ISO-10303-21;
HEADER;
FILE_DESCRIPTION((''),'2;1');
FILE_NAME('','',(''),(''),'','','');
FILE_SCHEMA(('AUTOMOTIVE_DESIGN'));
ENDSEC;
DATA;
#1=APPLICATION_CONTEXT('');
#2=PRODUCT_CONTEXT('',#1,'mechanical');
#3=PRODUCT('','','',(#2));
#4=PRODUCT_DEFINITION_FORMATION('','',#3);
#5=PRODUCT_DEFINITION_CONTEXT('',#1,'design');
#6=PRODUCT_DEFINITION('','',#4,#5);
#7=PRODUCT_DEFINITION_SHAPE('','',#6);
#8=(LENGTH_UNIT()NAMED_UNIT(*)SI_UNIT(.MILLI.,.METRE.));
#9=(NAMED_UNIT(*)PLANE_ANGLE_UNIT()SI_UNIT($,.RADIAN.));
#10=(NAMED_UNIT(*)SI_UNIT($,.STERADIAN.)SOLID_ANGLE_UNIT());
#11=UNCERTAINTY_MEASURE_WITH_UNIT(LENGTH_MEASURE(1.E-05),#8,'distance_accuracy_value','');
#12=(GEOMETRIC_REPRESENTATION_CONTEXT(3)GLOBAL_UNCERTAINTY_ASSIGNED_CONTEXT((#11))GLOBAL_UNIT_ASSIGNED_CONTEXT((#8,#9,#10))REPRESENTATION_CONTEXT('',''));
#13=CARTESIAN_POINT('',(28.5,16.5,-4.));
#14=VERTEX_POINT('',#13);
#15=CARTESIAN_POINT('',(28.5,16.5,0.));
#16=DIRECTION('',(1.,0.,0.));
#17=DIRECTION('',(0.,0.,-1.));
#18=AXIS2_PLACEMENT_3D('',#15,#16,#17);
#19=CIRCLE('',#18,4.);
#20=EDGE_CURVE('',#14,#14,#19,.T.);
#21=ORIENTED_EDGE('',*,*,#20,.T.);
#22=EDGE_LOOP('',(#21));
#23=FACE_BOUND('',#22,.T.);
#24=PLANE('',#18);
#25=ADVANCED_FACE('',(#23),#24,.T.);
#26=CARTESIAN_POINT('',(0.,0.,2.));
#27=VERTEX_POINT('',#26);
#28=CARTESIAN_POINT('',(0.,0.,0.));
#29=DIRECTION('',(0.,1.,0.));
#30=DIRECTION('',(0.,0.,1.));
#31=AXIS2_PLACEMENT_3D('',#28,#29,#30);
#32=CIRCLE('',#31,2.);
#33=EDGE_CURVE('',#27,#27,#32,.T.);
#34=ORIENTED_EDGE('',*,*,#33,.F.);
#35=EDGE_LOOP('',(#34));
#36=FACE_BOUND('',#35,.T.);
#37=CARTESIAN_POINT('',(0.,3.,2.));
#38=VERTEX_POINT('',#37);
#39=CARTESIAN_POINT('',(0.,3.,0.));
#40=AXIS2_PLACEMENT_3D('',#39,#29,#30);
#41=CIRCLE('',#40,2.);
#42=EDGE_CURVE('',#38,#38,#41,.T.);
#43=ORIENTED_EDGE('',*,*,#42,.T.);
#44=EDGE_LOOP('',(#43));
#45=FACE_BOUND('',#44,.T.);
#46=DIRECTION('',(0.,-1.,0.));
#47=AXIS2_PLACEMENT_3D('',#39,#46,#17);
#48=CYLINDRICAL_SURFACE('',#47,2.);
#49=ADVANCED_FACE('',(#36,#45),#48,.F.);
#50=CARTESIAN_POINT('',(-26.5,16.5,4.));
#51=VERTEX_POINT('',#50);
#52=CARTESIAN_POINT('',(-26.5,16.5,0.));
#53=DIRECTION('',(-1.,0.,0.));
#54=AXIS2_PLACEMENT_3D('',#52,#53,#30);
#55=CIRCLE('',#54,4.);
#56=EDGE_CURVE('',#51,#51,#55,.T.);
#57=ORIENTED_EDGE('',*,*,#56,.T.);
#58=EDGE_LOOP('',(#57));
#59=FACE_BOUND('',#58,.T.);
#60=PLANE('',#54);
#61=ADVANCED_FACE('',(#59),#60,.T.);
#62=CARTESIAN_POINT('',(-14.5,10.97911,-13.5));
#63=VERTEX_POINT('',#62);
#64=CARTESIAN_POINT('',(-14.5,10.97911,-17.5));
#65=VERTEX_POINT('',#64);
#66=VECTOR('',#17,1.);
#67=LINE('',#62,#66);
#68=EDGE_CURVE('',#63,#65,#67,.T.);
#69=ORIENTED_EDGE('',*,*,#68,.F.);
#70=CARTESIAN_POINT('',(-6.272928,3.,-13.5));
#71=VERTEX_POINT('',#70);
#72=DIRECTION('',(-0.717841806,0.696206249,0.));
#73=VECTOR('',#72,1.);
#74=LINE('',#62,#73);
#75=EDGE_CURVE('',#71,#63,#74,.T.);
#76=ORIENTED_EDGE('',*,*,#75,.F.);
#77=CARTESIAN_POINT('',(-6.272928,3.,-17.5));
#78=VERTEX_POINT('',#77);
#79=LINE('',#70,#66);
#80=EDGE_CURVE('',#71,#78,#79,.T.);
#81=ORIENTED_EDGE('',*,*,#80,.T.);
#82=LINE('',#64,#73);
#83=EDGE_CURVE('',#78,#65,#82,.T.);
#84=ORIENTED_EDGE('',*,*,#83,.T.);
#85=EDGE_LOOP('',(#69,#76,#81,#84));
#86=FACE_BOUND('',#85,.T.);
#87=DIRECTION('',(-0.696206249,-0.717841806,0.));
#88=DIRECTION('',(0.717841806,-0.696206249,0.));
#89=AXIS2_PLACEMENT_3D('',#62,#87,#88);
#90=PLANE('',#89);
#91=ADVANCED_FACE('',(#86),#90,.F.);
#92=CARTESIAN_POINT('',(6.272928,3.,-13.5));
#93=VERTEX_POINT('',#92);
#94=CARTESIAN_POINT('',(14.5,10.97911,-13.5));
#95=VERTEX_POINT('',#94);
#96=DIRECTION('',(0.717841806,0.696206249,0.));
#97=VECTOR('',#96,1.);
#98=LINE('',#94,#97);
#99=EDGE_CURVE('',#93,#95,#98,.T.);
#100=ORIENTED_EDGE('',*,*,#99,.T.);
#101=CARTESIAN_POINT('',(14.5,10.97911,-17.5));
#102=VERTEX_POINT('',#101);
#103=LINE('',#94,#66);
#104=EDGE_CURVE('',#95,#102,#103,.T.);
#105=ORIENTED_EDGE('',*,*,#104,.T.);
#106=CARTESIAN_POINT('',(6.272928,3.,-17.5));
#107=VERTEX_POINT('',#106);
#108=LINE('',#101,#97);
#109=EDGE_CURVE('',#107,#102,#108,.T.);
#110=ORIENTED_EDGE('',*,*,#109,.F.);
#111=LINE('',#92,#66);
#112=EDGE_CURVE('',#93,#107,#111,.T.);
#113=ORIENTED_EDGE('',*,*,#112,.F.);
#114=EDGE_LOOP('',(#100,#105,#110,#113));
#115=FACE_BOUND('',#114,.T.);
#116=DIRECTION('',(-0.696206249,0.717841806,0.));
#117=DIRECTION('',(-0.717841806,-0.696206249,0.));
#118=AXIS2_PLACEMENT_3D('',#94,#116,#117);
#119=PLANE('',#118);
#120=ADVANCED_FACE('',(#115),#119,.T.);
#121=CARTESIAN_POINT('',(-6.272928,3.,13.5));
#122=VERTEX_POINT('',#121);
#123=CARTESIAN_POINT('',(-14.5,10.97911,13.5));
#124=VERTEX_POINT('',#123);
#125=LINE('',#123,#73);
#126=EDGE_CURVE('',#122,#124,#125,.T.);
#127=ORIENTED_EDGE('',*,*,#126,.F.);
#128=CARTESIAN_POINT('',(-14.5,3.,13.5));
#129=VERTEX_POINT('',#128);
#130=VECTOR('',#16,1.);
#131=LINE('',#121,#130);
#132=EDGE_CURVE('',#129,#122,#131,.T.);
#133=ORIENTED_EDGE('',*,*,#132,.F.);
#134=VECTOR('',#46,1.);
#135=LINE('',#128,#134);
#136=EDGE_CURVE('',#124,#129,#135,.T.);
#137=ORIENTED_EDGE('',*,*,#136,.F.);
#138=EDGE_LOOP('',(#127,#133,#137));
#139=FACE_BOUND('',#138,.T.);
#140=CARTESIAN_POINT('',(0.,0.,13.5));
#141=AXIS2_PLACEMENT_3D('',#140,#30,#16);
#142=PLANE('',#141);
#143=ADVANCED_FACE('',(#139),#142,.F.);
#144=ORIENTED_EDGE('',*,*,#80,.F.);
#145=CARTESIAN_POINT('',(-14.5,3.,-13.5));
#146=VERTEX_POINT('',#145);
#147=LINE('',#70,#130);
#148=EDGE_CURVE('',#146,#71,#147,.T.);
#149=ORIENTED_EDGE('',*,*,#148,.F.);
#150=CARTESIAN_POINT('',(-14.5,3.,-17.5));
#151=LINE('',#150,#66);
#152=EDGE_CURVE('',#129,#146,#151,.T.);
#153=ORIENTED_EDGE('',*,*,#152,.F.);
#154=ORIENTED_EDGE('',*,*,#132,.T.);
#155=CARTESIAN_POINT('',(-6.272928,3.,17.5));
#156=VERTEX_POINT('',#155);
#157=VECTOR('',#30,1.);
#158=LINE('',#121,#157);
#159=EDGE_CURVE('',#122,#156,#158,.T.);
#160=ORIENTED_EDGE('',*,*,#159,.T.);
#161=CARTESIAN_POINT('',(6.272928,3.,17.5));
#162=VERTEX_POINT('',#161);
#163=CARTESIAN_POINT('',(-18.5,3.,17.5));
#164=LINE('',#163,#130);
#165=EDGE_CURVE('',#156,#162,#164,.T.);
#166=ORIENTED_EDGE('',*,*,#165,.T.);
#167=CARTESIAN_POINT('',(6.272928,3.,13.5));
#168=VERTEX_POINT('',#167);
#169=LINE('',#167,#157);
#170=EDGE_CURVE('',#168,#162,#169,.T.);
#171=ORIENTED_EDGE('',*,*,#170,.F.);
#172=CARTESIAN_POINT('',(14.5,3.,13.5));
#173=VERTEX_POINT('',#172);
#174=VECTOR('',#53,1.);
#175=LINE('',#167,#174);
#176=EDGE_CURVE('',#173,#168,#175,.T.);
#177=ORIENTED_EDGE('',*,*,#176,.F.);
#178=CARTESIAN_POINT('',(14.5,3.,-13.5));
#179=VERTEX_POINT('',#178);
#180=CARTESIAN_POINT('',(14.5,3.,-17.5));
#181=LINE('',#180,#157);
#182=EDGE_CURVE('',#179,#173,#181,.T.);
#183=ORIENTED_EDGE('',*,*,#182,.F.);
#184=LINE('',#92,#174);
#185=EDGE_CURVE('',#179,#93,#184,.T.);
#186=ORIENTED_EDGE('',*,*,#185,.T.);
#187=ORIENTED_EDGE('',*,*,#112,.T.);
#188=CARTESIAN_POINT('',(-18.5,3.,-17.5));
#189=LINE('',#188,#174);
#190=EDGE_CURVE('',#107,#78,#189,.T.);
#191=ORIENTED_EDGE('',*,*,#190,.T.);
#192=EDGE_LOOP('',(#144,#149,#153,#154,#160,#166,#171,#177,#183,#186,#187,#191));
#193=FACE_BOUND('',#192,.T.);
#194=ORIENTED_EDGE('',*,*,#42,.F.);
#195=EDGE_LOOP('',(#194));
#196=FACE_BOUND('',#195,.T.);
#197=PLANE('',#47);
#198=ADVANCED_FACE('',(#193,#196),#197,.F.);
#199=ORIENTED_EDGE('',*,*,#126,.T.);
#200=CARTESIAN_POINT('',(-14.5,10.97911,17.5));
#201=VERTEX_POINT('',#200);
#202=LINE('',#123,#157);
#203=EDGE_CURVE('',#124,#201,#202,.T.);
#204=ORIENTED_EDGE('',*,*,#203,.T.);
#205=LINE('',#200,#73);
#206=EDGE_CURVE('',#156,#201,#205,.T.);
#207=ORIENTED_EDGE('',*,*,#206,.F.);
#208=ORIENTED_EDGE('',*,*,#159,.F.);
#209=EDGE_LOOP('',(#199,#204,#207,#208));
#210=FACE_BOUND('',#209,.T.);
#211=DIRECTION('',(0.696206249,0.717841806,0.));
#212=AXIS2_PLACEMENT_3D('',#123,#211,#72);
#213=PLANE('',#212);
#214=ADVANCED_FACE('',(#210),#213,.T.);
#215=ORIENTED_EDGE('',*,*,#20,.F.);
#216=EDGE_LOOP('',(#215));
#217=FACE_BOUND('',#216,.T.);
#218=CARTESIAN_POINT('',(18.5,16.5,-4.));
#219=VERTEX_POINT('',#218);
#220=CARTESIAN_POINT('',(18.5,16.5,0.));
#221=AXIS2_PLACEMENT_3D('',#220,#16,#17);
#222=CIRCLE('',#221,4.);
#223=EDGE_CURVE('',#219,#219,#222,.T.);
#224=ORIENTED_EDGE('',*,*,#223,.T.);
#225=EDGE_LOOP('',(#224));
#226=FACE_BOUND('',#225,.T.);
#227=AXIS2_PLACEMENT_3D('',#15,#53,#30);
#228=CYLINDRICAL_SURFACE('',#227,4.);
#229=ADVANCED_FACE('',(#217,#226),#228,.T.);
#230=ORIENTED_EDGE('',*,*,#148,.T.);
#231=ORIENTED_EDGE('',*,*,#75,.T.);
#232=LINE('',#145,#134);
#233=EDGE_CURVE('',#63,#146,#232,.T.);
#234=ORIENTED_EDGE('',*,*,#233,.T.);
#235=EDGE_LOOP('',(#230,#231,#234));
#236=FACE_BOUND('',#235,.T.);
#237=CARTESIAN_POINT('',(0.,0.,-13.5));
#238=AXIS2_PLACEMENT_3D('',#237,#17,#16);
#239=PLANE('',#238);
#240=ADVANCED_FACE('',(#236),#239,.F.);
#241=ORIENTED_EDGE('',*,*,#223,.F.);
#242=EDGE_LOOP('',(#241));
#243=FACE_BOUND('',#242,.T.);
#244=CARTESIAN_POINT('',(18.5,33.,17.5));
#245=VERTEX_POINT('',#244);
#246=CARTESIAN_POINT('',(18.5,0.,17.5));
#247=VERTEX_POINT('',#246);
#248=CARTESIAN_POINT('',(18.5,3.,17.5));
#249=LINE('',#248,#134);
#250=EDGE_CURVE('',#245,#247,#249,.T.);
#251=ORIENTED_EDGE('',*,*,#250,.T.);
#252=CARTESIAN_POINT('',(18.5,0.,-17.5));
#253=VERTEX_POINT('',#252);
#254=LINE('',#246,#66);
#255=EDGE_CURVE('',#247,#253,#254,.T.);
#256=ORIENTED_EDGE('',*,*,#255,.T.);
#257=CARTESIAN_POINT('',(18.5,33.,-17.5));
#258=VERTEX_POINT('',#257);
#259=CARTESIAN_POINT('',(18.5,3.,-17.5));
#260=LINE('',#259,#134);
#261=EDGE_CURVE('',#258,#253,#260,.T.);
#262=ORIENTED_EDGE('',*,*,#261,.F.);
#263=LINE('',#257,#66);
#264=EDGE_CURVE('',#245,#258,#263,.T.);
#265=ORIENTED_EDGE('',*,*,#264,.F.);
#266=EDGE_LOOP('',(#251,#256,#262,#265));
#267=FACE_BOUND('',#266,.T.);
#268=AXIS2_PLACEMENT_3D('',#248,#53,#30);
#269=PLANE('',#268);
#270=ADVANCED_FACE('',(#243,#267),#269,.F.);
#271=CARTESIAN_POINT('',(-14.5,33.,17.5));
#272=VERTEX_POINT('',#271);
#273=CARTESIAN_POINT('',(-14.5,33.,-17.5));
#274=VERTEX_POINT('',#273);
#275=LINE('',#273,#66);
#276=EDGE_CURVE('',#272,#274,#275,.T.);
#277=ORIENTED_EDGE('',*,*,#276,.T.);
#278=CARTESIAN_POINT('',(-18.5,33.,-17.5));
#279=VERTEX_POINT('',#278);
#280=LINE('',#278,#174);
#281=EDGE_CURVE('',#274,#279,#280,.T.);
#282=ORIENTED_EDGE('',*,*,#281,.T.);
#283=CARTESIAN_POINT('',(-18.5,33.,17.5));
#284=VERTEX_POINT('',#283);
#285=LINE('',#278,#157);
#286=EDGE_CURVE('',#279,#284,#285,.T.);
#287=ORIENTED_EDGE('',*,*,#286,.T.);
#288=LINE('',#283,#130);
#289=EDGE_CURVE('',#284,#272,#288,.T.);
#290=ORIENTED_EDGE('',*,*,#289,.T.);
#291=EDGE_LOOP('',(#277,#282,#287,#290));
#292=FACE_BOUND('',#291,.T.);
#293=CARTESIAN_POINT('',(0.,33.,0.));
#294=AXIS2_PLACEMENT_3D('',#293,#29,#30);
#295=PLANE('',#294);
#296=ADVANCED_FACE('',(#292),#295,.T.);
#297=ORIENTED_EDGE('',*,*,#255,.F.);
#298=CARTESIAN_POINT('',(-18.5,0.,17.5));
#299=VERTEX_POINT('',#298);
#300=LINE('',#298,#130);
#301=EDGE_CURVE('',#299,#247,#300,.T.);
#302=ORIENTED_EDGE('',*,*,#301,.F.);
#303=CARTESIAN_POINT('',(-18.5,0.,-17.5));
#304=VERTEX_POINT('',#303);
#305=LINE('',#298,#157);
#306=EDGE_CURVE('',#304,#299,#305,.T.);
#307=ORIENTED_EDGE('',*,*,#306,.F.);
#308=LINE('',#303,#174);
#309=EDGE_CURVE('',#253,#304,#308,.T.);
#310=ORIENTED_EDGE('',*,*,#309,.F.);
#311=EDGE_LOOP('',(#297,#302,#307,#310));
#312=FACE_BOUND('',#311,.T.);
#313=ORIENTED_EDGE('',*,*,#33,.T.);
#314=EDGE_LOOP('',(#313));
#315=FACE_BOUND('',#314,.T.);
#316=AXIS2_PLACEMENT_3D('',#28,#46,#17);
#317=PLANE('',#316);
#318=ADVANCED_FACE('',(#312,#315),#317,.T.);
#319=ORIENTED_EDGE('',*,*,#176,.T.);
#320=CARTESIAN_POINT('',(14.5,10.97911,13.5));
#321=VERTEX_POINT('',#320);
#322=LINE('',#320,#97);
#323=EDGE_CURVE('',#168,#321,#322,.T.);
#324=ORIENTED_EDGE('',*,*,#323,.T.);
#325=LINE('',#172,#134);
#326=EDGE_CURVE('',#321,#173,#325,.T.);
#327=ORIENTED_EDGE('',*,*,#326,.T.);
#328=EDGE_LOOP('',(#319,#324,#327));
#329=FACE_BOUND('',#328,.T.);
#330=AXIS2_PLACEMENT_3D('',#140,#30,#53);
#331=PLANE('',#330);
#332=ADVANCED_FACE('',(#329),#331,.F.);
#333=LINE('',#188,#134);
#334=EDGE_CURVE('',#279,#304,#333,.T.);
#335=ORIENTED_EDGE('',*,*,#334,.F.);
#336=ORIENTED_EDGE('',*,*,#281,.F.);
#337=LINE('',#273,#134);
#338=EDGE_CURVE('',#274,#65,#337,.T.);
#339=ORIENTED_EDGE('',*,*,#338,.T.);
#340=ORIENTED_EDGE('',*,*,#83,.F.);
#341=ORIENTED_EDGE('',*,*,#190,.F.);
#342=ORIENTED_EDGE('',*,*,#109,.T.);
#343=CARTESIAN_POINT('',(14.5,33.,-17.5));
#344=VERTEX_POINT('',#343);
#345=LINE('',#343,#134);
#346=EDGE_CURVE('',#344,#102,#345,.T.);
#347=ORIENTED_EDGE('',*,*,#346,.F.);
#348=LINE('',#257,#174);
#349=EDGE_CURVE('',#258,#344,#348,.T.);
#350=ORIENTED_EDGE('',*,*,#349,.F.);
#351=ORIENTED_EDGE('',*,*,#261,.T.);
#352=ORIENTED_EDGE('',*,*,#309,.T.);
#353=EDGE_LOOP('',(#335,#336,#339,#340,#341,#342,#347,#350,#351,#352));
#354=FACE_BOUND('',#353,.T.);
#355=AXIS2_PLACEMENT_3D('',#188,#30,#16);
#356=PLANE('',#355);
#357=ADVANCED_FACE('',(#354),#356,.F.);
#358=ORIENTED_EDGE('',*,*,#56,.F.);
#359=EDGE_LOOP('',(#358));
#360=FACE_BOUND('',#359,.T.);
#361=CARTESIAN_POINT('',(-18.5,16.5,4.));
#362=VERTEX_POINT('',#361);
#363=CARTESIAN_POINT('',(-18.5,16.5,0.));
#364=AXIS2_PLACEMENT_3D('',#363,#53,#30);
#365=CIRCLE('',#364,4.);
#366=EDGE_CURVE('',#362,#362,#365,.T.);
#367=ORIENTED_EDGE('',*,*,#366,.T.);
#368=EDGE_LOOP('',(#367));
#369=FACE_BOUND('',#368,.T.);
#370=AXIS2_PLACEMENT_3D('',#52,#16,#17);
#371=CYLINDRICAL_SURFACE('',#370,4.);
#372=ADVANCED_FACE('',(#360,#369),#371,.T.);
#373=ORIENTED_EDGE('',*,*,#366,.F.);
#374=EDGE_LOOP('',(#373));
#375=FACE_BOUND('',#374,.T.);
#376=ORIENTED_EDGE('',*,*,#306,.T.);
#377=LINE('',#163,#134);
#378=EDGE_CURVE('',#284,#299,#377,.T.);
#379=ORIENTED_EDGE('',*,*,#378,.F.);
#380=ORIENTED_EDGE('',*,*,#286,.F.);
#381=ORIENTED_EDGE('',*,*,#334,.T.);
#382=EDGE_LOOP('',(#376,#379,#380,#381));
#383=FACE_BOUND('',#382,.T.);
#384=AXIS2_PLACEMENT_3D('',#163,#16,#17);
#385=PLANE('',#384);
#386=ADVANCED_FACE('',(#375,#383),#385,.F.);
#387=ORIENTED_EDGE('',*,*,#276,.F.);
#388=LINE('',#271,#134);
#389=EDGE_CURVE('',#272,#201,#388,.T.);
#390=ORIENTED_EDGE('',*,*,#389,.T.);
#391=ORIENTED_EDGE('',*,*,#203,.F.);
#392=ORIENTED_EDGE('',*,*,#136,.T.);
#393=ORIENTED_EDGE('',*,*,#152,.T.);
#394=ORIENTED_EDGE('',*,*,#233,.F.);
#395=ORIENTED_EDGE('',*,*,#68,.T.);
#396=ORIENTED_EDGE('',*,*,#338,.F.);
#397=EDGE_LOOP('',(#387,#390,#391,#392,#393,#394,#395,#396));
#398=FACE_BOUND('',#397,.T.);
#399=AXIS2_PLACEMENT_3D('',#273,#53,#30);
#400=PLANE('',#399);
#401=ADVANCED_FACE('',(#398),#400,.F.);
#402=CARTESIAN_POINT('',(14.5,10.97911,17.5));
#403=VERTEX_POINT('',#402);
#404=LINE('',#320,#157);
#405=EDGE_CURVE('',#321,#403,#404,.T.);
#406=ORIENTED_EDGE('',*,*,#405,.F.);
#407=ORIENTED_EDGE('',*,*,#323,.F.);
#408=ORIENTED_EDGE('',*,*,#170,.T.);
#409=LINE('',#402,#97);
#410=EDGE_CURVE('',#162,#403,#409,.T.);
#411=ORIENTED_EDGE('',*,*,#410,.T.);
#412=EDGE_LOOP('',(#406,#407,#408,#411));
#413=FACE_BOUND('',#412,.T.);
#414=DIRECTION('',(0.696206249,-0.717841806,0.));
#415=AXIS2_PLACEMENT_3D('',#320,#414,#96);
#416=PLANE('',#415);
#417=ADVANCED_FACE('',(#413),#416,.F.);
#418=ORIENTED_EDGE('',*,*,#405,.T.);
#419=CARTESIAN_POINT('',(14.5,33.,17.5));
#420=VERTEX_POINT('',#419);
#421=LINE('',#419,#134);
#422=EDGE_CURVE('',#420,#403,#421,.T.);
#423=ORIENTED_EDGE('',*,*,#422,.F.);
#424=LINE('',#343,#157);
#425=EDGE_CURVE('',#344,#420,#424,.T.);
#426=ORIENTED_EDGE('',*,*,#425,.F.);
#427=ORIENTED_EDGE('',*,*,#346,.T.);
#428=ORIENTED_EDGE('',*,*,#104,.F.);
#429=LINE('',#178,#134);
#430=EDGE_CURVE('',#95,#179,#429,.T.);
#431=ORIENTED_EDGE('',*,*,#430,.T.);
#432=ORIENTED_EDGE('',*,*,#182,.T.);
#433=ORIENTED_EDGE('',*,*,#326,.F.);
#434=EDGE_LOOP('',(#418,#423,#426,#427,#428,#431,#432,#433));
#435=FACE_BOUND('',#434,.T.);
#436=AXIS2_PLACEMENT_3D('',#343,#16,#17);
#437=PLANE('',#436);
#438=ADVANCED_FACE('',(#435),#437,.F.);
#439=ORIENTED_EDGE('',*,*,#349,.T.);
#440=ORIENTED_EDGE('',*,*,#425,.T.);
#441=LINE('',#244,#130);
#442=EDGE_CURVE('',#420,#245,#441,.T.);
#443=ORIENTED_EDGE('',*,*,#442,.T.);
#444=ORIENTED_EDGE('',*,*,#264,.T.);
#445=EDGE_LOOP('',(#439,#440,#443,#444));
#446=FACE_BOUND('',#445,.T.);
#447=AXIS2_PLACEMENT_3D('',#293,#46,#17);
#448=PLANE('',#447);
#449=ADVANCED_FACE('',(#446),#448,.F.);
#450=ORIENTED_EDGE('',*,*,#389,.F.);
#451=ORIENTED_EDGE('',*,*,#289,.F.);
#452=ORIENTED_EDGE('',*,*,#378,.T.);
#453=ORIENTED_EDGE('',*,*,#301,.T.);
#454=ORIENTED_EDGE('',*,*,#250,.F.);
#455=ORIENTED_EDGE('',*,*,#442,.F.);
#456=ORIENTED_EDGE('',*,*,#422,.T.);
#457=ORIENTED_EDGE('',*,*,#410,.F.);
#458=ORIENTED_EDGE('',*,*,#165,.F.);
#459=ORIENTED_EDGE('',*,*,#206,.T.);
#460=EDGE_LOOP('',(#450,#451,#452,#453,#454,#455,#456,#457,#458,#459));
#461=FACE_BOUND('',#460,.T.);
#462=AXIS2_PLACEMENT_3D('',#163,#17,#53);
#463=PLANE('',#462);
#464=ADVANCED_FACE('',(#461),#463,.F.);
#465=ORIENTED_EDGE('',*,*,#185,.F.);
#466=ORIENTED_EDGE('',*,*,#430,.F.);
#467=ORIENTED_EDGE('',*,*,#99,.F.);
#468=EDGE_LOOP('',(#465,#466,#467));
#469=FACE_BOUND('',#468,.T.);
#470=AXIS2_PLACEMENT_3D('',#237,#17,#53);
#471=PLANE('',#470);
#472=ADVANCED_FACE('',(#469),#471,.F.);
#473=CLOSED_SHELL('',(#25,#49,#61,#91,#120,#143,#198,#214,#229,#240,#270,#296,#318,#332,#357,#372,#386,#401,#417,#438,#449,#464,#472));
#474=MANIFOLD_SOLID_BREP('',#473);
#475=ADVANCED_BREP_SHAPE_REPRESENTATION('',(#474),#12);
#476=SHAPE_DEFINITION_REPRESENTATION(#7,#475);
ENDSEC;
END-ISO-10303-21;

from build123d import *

# Parameters (mm, degrees)
SKETCH1_W            = 37
SKETCH1_H            = 35
SKETCH1_R            = 2
BOSS_EXTRUDE1_DEPTH  = 3
SKETCH2_W            = 4
SKETCH2_H            = 35
BOSS_EXTRUDE2_DEPTH  = 30
SKETCH3_R            = 4
BOSS_EXTRUDE3_DEPTH  = 8
BOSS_EXTRUDE4_START  = 10
SKETCH4_R            = 4
BOSS_EXTRUDE4_DEPTH  = 10
BOSS_EXTRUDE5_DEPTH  = 4
MIRROR2_COPY_1_DEPTH = 4


with BuildPart() as part:
    # Sketch1 → Boss-Extrude1 (new body)
    with BuildSketch(Plane(origin=(0, 0, 0), x_dir=(1, 0, 0), z_dir=(0, 1, 0))):
        Rectangle(SKETCH1_W, SKETCH1_H)
        with Locations(Location((0, 0, 0), (0, 0, 270))):
            Circle(SKETCH1_R, mode=Mode.SUBTRACT)
    extrude(amount=BOSS_EXTRUDE1_DEPTH)

    # Sketch2 → Boss-Extrude2 (add)
    with BuildSketch(Plane(origin=(0, 3, 0), x_dir=(1, 0, 0), z_dir=(0, 1, 0))):
        with Locations((-16.5, 0)):
            Rectangle(SKETCH2_W, SKETCH2_H)
        with Locations((16.5, 0)):
            Rectangle(SKETCH2_W, SKETCH2_H)
    extrude(amount=BOSS_EXTRUDE2_DEPTH)

    # Sketch3 → Boss-Extrude3 (add)
    with BuildSketch(Plane.ZY.offset(18.5)):
        with Locations((0, 16.5)):
            Circle(SKETCH3_R)
    extrude(amount=BOSS_EXTRUDE3_DEPTH)

    # Sketch4 → Boss-Extrude4 (add)
    with BuildSketch(Plane(origin=(18.5, 0, 0), x_dir=(0, 0, -1), z_dir=(1, 0, 0)).offset(BOSS_EXTRUDE4_START)):
        with Locations(Location((0, 16.5, 0), (0, 0, 180))):
            Circle(SKETCH4_R)
    extrude(amount=-BOSS_EXTRUDE4_DEPTH)

    # Sketch5 → Boss-Extrude5 (add)
    with BuildSketch(Plane.XY.offset(17.5)):
        Polygon((-14.5, 10.979110478), (-6.272927794, 3), (-14.5, 3), align=None)
    boss_extrude5 = extrude(amount=-BOSS_EXTRUDE5_DEPTH)

    # Mirror1: Boss-Extrude5 across plane
    add(boss_extrude5.mirror(Plane(origin=(0, 0, 0), x_dir=(0, 0, 1), z_dir=(1, 0, 0))))

    # Mirror2: Boss-Extrude5 across plane
    add(boss_extrude5.mirror(Plane.XY))

    # Mirror2 copy 1 sketch → Mirror2 copy 1 (add)
    with BuildSketch(Plane(origin=(0, 0, -17.5), x_dir=(-1, 0, 0), z_dir=(0, 0, -1))):
        Polygon((-14.5, 10.979110478), (-6.272927794, 3), (-14.5, 3), align=None)
    extrude(amount=-MIRROR2_COPY_1_DEPTH)


solid = part.part
